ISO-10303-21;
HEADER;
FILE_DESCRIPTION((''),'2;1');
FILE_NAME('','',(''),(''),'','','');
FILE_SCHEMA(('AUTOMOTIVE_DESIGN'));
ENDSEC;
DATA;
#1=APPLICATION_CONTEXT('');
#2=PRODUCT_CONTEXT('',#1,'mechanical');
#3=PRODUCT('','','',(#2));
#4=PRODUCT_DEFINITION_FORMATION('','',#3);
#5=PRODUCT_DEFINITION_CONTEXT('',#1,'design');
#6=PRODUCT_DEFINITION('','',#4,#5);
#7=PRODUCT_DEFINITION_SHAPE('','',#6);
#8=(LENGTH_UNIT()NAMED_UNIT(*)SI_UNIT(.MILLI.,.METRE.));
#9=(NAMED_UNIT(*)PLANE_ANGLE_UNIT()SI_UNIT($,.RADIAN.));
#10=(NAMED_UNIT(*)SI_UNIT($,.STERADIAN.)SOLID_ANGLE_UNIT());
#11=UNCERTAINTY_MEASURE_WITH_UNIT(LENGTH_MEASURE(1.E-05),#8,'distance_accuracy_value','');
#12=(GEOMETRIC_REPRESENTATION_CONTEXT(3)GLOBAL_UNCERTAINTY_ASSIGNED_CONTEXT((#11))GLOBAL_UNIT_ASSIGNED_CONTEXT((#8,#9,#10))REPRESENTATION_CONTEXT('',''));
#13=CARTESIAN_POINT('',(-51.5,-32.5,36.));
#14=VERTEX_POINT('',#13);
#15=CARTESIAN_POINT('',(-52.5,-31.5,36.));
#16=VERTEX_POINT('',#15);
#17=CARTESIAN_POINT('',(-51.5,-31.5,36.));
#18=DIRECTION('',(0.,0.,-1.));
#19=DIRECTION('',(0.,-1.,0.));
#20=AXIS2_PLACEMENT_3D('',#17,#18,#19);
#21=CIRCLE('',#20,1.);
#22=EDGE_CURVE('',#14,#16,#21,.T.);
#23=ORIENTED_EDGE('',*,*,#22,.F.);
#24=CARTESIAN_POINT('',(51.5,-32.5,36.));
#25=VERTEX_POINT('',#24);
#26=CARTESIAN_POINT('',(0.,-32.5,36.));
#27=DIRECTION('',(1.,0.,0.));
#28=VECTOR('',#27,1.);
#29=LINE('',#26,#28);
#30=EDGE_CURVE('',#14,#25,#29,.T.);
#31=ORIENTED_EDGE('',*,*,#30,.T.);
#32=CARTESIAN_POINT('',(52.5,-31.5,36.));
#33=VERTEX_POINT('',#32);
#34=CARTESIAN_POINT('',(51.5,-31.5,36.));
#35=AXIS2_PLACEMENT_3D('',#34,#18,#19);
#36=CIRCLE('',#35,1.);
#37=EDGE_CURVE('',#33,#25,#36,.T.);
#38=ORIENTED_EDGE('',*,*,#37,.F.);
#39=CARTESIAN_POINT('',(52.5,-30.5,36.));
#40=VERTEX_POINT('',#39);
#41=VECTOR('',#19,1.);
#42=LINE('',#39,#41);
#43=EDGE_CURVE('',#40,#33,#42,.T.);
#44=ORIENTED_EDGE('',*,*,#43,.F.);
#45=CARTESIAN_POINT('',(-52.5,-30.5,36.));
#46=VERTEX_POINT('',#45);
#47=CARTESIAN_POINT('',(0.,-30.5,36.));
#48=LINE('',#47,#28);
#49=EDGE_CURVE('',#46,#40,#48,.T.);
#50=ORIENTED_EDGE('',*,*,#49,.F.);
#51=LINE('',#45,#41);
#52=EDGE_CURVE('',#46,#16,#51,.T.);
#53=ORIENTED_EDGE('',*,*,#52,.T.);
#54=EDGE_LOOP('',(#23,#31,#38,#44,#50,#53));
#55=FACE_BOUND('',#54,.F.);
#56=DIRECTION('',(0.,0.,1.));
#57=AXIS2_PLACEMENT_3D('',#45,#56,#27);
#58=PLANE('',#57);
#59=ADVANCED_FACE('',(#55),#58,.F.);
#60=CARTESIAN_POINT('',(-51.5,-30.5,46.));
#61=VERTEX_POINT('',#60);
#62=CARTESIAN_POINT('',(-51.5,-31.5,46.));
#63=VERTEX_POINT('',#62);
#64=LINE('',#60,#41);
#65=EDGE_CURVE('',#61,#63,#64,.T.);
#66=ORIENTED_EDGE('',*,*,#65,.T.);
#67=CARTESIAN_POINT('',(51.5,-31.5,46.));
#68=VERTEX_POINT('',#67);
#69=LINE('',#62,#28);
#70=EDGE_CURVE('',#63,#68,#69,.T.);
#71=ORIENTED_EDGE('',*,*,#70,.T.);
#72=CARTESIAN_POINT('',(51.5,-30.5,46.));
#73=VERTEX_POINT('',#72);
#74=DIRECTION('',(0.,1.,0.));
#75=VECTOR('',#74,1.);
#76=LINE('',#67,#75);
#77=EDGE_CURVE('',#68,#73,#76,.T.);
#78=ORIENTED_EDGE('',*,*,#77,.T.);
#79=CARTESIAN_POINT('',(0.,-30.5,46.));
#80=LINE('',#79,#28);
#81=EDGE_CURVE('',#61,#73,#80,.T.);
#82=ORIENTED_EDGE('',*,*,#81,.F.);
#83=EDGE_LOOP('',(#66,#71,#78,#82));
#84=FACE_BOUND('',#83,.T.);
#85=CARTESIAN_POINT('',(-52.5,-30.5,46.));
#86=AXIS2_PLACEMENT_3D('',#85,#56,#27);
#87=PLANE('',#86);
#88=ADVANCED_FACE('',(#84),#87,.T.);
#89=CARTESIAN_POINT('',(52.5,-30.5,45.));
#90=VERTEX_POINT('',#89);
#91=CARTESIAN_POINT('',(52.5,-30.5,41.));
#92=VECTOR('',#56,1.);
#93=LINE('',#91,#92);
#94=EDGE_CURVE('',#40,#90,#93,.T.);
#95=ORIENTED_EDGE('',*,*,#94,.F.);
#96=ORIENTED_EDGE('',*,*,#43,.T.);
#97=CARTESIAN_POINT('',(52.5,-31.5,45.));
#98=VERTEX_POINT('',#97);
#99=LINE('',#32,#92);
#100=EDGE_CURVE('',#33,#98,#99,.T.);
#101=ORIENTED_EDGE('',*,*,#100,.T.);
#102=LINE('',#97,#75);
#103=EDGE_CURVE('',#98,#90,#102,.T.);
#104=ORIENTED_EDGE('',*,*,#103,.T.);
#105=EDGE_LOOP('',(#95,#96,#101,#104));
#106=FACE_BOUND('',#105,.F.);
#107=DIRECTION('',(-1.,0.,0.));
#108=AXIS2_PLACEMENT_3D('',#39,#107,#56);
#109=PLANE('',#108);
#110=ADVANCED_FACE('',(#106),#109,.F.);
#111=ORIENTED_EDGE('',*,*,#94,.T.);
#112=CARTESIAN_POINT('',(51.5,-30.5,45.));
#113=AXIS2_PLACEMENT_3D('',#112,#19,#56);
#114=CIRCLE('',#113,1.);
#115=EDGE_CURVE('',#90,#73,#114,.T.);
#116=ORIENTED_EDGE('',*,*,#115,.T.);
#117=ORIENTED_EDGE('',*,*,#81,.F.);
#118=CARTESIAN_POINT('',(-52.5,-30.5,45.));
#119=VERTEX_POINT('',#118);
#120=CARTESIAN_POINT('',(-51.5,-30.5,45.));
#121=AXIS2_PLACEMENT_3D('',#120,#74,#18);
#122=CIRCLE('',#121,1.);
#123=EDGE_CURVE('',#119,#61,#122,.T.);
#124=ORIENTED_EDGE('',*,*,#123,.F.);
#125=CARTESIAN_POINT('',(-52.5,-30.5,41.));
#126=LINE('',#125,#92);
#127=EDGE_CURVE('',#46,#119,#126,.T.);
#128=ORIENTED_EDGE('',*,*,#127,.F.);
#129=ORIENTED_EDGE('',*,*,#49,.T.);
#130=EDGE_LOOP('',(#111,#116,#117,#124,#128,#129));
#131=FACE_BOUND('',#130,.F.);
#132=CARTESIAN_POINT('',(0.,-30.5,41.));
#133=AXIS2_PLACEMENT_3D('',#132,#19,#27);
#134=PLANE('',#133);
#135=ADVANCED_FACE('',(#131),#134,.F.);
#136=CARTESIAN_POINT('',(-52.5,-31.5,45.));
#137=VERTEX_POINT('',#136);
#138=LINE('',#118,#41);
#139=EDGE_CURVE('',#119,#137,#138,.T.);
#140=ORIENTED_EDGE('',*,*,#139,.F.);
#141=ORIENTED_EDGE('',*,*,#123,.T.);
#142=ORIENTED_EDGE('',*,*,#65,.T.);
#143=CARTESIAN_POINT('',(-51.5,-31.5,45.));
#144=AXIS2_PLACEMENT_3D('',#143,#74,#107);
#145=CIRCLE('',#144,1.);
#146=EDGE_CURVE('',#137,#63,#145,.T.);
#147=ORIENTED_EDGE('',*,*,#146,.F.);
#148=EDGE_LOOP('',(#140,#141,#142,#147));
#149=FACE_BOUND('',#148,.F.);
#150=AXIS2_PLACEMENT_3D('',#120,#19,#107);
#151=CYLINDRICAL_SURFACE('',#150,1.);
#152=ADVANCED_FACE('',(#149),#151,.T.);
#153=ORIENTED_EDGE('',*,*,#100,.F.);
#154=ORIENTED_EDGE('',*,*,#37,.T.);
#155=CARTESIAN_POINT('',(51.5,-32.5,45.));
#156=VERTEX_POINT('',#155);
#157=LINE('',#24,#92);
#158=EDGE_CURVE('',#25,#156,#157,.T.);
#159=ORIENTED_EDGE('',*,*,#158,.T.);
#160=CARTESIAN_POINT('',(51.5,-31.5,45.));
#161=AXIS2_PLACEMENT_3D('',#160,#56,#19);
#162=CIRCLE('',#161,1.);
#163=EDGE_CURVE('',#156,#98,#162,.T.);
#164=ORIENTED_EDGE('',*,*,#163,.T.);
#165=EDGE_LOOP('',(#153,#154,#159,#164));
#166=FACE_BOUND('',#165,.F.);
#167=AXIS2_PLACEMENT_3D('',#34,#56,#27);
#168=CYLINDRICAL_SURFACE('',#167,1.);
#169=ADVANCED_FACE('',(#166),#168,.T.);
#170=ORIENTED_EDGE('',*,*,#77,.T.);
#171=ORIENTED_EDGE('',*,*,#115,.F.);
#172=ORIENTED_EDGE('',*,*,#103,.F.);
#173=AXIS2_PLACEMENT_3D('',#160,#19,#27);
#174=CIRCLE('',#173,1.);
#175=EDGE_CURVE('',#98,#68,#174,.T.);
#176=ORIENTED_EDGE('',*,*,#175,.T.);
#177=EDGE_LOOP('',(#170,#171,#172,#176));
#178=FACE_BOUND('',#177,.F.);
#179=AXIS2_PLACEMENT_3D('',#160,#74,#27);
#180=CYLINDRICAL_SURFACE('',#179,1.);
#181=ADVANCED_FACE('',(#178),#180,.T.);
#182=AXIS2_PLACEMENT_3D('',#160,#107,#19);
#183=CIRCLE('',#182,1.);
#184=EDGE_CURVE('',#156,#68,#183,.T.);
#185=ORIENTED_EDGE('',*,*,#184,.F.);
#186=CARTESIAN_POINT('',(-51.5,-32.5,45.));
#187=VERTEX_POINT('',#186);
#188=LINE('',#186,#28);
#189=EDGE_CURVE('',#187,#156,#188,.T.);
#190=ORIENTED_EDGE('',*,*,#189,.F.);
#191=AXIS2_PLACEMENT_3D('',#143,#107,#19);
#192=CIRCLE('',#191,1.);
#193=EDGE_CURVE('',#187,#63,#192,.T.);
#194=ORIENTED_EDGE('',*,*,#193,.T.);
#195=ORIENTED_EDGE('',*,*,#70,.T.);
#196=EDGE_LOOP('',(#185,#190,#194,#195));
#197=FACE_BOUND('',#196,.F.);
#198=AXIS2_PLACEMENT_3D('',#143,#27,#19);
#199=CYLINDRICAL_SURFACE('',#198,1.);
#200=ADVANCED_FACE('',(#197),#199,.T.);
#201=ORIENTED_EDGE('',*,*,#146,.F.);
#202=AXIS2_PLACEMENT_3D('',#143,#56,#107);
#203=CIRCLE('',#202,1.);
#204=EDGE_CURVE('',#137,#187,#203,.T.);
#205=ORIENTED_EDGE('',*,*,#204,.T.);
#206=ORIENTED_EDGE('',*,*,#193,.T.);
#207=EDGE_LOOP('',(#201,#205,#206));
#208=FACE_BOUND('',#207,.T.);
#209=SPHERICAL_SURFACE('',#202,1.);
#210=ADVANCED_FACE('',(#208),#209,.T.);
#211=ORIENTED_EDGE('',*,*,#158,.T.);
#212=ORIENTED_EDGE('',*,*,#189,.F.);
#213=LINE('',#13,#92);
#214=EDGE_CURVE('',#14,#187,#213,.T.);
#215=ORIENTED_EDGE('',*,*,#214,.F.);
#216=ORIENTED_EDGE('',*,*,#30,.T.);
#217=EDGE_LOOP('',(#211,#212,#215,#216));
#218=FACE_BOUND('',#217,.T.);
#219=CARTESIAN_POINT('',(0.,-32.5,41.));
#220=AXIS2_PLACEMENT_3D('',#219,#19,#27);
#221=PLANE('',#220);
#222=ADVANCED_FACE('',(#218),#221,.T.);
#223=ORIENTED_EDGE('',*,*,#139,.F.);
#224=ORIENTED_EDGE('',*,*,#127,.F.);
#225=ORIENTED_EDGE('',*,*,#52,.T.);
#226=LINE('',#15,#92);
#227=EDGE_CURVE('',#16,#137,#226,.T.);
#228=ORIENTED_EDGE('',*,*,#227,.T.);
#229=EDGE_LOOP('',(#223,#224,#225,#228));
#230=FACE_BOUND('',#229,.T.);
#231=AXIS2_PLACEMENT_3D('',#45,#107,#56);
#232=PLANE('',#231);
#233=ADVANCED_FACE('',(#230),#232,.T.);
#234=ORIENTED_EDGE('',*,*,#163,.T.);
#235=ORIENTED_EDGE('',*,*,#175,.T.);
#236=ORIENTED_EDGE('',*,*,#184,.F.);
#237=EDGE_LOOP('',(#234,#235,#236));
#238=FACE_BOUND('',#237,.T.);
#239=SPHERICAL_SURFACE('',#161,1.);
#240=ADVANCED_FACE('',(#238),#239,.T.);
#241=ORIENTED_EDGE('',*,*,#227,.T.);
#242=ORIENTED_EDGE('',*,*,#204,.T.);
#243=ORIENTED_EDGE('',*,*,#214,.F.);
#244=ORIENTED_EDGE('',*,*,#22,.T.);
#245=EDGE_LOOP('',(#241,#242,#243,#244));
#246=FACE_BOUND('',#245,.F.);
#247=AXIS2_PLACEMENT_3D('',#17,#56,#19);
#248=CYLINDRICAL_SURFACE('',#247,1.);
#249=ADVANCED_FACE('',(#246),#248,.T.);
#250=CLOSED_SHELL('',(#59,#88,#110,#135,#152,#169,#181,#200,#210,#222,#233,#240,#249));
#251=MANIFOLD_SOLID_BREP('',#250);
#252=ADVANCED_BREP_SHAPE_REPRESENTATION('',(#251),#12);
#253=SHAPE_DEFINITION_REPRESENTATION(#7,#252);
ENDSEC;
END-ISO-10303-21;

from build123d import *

# Parameters (mm, degrees)
SKETCH007_W  = 105
SKETCH007_H  = 10
PAD006_DEPTH = 2
FILLET006_R  = 1
FILLET019_R  = 1
FILLET026_R  = 1


with BuildPart() as part:
    # Sketch007 → Pad006 (new body)
    with BuildSketch(Plane.XZ):
        with Locations((0, 5)):
            Rectangle(SKETCH007_W, SKETCH007_H)
    extrude(amount=PAD006_DEPTH)

    # Fillet006
    fillet006_edges = [part.edges().sort_by_distance(p)[0] for p in [
        (52.5, -2, 5),
    ]]
    fillet(fillet006_edges, radius=FILLET006_R)

    # Fillet019
    fillet019_edges = [part.edges().sort_by_distance(p)[0] for p in [
        (-52.5, -2, 5),
    ]]
    fillet(fillet019_edges, radius=FILLET019_R)

    # Fillet026
    fillet026_edges = [part.edges().sort_by_distance(p)[0] for p in [
        (0, -2, 10),
    ]]
    fillet(fillet026_edges, radius=FILLET026_R)


with BuildPart() as part_1:
    # Body006 placement: moved
    add(part.part.moved(Location((0, -30.5, 36))))


solid = part_1.part
